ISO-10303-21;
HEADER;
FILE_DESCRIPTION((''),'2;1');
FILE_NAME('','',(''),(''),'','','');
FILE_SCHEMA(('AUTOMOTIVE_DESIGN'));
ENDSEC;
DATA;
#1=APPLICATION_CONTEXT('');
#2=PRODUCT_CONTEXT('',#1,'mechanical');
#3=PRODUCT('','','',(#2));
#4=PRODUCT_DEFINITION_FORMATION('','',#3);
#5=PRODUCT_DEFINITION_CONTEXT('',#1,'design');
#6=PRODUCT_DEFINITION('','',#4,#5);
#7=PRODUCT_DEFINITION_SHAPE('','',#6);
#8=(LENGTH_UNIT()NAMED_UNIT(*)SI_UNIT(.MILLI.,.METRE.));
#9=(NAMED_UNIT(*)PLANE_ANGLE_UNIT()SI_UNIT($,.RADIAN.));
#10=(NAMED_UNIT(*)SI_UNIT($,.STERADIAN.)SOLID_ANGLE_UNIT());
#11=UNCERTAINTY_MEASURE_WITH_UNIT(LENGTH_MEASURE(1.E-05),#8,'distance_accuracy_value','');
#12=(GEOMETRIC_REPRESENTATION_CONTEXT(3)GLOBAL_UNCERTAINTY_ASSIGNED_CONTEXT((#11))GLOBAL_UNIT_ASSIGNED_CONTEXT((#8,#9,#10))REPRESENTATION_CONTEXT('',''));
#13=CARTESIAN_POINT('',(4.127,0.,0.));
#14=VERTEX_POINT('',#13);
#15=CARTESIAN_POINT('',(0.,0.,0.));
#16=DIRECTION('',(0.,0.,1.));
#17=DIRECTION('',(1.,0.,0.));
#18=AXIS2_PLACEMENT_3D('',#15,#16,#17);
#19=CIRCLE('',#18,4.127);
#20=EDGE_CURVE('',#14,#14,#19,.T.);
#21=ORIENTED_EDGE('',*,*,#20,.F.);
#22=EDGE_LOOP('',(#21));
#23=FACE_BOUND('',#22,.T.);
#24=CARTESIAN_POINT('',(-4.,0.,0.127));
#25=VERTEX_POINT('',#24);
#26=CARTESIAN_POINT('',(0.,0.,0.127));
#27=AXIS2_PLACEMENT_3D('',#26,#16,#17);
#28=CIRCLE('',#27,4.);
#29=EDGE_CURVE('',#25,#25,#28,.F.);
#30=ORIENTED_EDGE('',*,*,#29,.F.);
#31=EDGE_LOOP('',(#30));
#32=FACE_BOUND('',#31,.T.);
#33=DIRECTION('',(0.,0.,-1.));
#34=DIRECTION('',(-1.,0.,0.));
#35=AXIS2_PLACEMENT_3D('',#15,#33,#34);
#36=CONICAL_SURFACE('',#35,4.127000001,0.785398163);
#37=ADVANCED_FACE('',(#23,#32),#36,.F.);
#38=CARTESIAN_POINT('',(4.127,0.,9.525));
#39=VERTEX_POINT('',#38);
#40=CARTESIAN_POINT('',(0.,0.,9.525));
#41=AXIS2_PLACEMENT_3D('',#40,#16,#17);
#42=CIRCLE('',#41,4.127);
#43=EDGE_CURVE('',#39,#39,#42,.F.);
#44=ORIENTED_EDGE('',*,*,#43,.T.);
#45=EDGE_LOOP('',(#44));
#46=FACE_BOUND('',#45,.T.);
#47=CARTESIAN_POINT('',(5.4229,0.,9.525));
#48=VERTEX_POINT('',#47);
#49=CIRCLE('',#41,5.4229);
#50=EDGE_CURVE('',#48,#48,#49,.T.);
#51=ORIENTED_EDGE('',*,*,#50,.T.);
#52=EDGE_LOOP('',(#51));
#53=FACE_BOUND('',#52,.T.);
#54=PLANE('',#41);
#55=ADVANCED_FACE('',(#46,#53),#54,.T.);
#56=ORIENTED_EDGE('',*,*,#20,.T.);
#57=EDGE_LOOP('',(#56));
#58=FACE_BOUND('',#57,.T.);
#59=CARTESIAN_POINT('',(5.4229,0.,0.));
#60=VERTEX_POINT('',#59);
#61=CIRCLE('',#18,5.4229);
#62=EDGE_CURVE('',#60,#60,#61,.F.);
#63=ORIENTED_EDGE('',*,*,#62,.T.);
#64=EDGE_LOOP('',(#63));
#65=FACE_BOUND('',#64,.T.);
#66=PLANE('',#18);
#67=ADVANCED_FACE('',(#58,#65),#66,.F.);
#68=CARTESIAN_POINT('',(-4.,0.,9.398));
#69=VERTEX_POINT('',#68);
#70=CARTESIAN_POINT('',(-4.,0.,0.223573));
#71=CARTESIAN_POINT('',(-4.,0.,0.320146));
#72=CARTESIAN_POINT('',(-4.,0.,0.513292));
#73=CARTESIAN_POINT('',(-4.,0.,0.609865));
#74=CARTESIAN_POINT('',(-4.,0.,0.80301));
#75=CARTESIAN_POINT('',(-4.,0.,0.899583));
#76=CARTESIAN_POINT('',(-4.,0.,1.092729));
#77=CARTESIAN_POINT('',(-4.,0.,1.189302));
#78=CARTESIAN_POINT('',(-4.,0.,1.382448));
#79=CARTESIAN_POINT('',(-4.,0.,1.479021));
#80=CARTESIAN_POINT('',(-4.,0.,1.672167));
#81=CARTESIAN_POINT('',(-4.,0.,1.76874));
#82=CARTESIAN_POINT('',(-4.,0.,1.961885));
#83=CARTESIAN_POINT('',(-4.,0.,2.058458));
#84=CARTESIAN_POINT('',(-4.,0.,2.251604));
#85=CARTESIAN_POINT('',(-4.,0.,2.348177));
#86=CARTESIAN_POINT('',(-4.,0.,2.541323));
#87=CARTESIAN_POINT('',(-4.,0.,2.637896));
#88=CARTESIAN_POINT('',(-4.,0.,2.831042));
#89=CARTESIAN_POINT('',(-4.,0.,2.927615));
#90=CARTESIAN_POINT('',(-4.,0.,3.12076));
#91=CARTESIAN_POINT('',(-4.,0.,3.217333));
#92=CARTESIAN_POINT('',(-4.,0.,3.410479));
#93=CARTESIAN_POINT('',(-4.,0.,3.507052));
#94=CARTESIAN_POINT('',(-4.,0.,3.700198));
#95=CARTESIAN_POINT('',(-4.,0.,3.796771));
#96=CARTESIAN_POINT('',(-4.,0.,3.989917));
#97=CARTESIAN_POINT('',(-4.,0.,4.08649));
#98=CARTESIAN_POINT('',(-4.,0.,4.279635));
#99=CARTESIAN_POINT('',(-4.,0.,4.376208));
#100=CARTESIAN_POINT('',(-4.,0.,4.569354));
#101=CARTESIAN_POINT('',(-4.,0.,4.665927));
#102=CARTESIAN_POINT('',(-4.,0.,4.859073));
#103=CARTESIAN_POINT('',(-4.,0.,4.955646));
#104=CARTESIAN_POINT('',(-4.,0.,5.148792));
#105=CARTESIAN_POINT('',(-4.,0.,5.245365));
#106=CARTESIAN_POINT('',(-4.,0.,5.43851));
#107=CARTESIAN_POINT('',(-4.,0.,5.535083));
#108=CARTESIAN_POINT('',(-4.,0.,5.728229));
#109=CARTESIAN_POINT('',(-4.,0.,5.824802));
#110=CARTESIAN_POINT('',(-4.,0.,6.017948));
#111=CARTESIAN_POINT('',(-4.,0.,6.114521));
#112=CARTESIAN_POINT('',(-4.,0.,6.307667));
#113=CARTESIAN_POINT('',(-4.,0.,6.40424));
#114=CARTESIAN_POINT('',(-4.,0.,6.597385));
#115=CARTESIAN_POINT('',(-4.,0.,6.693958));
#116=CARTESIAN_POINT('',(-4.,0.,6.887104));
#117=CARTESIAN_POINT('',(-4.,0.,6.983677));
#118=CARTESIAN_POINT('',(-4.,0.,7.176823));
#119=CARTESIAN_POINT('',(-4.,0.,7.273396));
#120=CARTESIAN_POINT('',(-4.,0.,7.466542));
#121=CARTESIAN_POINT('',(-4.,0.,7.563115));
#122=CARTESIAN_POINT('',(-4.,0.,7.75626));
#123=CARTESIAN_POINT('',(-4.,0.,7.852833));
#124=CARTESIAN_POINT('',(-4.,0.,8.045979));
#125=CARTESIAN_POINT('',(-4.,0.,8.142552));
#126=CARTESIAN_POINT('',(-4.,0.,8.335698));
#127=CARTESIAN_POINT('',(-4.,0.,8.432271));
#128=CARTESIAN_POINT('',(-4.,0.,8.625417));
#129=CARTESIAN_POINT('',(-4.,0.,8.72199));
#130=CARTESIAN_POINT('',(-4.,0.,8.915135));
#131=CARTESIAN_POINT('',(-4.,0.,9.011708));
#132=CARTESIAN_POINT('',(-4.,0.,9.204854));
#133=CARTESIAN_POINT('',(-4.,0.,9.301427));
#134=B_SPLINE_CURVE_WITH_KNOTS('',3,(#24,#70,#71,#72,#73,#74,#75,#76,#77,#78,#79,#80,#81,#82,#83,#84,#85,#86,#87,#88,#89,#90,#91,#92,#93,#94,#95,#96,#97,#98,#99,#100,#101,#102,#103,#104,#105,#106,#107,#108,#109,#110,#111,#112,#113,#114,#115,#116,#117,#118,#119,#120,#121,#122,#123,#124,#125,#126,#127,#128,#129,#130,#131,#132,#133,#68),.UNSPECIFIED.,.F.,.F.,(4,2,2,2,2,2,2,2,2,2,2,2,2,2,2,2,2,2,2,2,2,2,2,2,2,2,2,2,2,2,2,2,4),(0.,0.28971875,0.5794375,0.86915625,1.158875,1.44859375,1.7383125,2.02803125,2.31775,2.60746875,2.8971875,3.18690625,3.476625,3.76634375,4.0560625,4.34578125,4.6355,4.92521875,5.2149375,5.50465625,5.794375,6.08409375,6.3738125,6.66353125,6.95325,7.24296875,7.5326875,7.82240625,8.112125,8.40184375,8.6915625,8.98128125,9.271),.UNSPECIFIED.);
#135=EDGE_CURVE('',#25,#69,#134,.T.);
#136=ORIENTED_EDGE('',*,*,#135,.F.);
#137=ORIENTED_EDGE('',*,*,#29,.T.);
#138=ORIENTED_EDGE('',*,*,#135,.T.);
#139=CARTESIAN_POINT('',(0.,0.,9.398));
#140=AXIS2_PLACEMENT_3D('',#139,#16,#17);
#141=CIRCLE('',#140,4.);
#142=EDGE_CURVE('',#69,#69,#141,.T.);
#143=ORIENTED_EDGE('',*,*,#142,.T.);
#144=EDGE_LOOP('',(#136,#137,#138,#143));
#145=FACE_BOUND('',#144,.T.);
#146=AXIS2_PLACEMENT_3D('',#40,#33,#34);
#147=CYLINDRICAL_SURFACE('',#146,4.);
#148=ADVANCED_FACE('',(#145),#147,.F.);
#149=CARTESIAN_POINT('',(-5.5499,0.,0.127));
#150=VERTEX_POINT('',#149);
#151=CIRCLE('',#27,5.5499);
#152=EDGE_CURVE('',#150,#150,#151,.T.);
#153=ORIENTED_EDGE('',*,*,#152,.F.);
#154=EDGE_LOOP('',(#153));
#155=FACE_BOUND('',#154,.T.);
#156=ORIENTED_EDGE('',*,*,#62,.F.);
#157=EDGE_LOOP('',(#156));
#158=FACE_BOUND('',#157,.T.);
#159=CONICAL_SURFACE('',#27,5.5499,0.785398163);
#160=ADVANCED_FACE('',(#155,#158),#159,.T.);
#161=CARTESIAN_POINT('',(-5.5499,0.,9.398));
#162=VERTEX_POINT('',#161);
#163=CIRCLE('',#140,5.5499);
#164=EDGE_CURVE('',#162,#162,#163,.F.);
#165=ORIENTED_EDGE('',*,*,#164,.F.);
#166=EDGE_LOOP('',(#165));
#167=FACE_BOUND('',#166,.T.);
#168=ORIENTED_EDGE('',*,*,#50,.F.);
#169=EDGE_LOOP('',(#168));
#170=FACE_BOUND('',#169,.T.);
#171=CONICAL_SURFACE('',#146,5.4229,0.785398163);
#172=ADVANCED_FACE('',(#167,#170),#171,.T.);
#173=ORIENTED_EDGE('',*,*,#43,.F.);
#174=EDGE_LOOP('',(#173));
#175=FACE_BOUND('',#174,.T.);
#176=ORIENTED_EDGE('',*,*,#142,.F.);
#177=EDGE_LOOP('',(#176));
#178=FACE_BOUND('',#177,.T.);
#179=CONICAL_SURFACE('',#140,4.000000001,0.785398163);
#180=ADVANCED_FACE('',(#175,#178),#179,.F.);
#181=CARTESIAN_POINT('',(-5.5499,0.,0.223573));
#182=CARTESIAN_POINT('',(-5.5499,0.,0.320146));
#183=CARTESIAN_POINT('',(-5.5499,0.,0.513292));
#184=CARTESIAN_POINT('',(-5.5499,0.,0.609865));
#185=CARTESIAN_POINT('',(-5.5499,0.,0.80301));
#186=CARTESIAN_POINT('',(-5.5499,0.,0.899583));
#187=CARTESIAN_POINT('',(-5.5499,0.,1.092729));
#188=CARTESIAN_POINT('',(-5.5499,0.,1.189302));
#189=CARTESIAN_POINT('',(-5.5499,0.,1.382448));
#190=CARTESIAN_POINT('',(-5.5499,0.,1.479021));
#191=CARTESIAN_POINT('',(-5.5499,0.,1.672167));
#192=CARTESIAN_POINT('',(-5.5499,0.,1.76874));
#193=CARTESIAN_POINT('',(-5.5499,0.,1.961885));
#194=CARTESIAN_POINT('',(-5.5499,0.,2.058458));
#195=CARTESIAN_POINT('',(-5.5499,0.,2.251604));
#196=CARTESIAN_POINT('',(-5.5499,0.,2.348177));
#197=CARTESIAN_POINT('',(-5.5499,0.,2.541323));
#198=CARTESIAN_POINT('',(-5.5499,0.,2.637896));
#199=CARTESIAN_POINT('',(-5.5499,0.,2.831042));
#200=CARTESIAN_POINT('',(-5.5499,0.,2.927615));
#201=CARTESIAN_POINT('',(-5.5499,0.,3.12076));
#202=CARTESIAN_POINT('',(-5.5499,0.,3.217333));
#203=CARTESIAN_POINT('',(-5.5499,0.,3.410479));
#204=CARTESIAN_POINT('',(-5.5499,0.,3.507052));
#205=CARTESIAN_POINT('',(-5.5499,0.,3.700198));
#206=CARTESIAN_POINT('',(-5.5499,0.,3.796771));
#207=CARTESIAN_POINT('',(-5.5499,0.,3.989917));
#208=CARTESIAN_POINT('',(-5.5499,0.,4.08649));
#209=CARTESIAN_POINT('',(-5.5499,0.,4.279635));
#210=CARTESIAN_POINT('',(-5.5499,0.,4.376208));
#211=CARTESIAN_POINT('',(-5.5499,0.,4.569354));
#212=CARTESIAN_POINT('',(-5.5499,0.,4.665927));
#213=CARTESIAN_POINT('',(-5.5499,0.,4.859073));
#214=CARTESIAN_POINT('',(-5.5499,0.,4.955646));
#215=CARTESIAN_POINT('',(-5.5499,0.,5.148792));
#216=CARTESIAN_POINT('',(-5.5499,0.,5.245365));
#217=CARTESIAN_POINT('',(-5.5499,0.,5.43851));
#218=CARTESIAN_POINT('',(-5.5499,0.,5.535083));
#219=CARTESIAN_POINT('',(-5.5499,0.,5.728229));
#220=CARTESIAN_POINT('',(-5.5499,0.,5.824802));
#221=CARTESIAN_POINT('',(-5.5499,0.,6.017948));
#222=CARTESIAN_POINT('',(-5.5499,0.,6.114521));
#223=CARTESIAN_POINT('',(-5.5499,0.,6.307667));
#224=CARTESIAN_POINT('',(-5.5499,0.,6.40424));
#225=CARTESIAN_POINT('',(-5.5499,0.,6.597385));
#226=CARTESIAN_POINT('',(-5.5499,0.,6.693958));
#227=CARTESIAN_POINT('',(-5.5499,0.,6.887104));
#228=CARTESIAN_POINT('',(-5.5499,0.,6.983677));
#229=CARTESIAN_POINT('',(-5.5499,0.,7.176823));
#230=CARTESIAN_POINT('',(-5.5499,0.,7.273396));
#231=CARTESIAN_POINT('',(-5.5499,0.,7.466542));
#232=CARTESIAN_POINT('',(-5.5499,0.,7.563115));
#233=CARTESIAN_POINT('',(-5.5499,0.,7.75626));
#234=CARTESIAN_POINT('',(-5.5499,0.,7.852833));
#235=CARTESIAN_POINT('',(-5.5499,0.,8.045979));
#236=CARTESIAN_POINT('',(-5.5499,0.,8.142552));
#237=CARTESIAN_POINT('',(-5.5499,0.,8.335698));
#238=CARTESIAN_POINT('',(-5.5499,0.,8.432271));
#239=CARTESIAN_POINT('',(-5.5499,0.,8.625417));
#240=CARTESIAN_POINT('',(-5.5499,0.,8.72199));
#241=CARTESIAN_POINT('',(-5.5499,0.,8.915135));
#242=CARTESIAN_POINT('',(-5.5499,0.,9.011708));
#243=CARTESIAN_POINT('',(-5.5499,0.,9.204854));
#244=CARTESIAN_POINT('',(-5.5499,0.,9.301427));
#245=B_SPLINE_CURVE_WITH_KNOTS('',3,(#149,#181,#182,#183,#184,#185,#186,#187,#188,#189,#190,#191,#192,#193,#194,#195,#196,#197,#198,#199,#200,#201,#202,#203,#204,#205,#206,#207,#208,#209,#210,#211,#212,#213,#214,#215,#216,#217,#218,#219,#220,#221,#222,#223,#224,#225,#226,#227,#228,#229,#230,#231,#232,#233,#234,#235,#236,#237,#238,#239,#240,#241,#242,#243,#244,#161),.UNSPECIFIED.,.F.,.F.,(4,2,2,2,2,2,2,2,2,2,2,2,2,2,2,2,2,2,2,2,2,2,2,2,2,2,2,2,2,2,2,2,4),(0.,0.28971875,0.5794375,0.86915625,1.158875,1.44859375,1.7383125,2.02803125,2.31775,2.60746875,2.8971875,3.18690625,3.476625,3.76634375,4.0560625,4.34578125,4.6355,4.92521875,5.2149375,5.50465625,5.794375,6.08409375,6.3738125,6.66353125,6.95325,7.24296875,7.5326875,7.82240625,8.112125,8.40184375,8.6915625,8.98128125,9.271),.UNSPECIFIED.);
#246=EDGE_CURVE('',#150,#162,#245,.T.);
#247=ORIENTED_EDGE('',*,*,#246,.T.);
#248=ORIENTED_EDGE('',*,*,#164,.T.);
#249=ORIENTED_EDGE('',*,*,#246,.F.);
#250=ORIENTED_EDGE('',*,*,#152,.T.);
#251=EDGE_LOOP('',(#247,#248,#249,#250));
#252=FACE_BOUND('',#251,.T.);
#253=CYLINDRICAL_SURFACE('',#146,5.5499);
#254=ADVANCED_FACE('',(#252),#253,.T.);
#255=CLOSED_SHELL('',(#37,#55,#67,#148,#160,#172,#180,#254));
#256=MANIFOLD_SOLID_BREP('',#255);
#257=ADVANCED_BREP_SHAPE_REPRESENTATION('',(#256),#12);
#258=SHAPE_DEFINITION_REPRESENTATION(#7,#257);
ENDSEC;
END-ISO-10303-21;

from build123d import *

# Parameters (mm, degrees)
SKETCH1_R           = 5.5499
SKETCH1_R_2         = 4.000000001
BOSS_EXTRUDE1_DEPTH = 9.525
CHAMFER1_SIZE       = 0.127


with BuildPart() as part:
    # Sketch1 → Boss-Extrude1 (new body)
    with BuildSketch(Plane.XY):
        with Locations(Location((0, 0, 0), (0, 0, 180))):
            Circle(SKETCH1_R)
        with Locations(Location((0, 0, 0), (0, 0, 180))):
            Circle(SKETCH1_R_2, mode=Mode.SUBTRACT)
    extrude(amount=BOSS_EXTRUDE1_DEPTH)

    # Chamfer1
    chamfer1_edges = [part.edges().sort_by_distance(p)[0] for p in [
        (5.5499, 0, 0),
        (5.5499, 0, 9.525),
        (4.000000001, 0, 0),
        (4.000000001, 0, 9.525),
    ]]
    chamfer(chamfer1_edges, length=CHAMFER1_SIZE)


solid = part.part
